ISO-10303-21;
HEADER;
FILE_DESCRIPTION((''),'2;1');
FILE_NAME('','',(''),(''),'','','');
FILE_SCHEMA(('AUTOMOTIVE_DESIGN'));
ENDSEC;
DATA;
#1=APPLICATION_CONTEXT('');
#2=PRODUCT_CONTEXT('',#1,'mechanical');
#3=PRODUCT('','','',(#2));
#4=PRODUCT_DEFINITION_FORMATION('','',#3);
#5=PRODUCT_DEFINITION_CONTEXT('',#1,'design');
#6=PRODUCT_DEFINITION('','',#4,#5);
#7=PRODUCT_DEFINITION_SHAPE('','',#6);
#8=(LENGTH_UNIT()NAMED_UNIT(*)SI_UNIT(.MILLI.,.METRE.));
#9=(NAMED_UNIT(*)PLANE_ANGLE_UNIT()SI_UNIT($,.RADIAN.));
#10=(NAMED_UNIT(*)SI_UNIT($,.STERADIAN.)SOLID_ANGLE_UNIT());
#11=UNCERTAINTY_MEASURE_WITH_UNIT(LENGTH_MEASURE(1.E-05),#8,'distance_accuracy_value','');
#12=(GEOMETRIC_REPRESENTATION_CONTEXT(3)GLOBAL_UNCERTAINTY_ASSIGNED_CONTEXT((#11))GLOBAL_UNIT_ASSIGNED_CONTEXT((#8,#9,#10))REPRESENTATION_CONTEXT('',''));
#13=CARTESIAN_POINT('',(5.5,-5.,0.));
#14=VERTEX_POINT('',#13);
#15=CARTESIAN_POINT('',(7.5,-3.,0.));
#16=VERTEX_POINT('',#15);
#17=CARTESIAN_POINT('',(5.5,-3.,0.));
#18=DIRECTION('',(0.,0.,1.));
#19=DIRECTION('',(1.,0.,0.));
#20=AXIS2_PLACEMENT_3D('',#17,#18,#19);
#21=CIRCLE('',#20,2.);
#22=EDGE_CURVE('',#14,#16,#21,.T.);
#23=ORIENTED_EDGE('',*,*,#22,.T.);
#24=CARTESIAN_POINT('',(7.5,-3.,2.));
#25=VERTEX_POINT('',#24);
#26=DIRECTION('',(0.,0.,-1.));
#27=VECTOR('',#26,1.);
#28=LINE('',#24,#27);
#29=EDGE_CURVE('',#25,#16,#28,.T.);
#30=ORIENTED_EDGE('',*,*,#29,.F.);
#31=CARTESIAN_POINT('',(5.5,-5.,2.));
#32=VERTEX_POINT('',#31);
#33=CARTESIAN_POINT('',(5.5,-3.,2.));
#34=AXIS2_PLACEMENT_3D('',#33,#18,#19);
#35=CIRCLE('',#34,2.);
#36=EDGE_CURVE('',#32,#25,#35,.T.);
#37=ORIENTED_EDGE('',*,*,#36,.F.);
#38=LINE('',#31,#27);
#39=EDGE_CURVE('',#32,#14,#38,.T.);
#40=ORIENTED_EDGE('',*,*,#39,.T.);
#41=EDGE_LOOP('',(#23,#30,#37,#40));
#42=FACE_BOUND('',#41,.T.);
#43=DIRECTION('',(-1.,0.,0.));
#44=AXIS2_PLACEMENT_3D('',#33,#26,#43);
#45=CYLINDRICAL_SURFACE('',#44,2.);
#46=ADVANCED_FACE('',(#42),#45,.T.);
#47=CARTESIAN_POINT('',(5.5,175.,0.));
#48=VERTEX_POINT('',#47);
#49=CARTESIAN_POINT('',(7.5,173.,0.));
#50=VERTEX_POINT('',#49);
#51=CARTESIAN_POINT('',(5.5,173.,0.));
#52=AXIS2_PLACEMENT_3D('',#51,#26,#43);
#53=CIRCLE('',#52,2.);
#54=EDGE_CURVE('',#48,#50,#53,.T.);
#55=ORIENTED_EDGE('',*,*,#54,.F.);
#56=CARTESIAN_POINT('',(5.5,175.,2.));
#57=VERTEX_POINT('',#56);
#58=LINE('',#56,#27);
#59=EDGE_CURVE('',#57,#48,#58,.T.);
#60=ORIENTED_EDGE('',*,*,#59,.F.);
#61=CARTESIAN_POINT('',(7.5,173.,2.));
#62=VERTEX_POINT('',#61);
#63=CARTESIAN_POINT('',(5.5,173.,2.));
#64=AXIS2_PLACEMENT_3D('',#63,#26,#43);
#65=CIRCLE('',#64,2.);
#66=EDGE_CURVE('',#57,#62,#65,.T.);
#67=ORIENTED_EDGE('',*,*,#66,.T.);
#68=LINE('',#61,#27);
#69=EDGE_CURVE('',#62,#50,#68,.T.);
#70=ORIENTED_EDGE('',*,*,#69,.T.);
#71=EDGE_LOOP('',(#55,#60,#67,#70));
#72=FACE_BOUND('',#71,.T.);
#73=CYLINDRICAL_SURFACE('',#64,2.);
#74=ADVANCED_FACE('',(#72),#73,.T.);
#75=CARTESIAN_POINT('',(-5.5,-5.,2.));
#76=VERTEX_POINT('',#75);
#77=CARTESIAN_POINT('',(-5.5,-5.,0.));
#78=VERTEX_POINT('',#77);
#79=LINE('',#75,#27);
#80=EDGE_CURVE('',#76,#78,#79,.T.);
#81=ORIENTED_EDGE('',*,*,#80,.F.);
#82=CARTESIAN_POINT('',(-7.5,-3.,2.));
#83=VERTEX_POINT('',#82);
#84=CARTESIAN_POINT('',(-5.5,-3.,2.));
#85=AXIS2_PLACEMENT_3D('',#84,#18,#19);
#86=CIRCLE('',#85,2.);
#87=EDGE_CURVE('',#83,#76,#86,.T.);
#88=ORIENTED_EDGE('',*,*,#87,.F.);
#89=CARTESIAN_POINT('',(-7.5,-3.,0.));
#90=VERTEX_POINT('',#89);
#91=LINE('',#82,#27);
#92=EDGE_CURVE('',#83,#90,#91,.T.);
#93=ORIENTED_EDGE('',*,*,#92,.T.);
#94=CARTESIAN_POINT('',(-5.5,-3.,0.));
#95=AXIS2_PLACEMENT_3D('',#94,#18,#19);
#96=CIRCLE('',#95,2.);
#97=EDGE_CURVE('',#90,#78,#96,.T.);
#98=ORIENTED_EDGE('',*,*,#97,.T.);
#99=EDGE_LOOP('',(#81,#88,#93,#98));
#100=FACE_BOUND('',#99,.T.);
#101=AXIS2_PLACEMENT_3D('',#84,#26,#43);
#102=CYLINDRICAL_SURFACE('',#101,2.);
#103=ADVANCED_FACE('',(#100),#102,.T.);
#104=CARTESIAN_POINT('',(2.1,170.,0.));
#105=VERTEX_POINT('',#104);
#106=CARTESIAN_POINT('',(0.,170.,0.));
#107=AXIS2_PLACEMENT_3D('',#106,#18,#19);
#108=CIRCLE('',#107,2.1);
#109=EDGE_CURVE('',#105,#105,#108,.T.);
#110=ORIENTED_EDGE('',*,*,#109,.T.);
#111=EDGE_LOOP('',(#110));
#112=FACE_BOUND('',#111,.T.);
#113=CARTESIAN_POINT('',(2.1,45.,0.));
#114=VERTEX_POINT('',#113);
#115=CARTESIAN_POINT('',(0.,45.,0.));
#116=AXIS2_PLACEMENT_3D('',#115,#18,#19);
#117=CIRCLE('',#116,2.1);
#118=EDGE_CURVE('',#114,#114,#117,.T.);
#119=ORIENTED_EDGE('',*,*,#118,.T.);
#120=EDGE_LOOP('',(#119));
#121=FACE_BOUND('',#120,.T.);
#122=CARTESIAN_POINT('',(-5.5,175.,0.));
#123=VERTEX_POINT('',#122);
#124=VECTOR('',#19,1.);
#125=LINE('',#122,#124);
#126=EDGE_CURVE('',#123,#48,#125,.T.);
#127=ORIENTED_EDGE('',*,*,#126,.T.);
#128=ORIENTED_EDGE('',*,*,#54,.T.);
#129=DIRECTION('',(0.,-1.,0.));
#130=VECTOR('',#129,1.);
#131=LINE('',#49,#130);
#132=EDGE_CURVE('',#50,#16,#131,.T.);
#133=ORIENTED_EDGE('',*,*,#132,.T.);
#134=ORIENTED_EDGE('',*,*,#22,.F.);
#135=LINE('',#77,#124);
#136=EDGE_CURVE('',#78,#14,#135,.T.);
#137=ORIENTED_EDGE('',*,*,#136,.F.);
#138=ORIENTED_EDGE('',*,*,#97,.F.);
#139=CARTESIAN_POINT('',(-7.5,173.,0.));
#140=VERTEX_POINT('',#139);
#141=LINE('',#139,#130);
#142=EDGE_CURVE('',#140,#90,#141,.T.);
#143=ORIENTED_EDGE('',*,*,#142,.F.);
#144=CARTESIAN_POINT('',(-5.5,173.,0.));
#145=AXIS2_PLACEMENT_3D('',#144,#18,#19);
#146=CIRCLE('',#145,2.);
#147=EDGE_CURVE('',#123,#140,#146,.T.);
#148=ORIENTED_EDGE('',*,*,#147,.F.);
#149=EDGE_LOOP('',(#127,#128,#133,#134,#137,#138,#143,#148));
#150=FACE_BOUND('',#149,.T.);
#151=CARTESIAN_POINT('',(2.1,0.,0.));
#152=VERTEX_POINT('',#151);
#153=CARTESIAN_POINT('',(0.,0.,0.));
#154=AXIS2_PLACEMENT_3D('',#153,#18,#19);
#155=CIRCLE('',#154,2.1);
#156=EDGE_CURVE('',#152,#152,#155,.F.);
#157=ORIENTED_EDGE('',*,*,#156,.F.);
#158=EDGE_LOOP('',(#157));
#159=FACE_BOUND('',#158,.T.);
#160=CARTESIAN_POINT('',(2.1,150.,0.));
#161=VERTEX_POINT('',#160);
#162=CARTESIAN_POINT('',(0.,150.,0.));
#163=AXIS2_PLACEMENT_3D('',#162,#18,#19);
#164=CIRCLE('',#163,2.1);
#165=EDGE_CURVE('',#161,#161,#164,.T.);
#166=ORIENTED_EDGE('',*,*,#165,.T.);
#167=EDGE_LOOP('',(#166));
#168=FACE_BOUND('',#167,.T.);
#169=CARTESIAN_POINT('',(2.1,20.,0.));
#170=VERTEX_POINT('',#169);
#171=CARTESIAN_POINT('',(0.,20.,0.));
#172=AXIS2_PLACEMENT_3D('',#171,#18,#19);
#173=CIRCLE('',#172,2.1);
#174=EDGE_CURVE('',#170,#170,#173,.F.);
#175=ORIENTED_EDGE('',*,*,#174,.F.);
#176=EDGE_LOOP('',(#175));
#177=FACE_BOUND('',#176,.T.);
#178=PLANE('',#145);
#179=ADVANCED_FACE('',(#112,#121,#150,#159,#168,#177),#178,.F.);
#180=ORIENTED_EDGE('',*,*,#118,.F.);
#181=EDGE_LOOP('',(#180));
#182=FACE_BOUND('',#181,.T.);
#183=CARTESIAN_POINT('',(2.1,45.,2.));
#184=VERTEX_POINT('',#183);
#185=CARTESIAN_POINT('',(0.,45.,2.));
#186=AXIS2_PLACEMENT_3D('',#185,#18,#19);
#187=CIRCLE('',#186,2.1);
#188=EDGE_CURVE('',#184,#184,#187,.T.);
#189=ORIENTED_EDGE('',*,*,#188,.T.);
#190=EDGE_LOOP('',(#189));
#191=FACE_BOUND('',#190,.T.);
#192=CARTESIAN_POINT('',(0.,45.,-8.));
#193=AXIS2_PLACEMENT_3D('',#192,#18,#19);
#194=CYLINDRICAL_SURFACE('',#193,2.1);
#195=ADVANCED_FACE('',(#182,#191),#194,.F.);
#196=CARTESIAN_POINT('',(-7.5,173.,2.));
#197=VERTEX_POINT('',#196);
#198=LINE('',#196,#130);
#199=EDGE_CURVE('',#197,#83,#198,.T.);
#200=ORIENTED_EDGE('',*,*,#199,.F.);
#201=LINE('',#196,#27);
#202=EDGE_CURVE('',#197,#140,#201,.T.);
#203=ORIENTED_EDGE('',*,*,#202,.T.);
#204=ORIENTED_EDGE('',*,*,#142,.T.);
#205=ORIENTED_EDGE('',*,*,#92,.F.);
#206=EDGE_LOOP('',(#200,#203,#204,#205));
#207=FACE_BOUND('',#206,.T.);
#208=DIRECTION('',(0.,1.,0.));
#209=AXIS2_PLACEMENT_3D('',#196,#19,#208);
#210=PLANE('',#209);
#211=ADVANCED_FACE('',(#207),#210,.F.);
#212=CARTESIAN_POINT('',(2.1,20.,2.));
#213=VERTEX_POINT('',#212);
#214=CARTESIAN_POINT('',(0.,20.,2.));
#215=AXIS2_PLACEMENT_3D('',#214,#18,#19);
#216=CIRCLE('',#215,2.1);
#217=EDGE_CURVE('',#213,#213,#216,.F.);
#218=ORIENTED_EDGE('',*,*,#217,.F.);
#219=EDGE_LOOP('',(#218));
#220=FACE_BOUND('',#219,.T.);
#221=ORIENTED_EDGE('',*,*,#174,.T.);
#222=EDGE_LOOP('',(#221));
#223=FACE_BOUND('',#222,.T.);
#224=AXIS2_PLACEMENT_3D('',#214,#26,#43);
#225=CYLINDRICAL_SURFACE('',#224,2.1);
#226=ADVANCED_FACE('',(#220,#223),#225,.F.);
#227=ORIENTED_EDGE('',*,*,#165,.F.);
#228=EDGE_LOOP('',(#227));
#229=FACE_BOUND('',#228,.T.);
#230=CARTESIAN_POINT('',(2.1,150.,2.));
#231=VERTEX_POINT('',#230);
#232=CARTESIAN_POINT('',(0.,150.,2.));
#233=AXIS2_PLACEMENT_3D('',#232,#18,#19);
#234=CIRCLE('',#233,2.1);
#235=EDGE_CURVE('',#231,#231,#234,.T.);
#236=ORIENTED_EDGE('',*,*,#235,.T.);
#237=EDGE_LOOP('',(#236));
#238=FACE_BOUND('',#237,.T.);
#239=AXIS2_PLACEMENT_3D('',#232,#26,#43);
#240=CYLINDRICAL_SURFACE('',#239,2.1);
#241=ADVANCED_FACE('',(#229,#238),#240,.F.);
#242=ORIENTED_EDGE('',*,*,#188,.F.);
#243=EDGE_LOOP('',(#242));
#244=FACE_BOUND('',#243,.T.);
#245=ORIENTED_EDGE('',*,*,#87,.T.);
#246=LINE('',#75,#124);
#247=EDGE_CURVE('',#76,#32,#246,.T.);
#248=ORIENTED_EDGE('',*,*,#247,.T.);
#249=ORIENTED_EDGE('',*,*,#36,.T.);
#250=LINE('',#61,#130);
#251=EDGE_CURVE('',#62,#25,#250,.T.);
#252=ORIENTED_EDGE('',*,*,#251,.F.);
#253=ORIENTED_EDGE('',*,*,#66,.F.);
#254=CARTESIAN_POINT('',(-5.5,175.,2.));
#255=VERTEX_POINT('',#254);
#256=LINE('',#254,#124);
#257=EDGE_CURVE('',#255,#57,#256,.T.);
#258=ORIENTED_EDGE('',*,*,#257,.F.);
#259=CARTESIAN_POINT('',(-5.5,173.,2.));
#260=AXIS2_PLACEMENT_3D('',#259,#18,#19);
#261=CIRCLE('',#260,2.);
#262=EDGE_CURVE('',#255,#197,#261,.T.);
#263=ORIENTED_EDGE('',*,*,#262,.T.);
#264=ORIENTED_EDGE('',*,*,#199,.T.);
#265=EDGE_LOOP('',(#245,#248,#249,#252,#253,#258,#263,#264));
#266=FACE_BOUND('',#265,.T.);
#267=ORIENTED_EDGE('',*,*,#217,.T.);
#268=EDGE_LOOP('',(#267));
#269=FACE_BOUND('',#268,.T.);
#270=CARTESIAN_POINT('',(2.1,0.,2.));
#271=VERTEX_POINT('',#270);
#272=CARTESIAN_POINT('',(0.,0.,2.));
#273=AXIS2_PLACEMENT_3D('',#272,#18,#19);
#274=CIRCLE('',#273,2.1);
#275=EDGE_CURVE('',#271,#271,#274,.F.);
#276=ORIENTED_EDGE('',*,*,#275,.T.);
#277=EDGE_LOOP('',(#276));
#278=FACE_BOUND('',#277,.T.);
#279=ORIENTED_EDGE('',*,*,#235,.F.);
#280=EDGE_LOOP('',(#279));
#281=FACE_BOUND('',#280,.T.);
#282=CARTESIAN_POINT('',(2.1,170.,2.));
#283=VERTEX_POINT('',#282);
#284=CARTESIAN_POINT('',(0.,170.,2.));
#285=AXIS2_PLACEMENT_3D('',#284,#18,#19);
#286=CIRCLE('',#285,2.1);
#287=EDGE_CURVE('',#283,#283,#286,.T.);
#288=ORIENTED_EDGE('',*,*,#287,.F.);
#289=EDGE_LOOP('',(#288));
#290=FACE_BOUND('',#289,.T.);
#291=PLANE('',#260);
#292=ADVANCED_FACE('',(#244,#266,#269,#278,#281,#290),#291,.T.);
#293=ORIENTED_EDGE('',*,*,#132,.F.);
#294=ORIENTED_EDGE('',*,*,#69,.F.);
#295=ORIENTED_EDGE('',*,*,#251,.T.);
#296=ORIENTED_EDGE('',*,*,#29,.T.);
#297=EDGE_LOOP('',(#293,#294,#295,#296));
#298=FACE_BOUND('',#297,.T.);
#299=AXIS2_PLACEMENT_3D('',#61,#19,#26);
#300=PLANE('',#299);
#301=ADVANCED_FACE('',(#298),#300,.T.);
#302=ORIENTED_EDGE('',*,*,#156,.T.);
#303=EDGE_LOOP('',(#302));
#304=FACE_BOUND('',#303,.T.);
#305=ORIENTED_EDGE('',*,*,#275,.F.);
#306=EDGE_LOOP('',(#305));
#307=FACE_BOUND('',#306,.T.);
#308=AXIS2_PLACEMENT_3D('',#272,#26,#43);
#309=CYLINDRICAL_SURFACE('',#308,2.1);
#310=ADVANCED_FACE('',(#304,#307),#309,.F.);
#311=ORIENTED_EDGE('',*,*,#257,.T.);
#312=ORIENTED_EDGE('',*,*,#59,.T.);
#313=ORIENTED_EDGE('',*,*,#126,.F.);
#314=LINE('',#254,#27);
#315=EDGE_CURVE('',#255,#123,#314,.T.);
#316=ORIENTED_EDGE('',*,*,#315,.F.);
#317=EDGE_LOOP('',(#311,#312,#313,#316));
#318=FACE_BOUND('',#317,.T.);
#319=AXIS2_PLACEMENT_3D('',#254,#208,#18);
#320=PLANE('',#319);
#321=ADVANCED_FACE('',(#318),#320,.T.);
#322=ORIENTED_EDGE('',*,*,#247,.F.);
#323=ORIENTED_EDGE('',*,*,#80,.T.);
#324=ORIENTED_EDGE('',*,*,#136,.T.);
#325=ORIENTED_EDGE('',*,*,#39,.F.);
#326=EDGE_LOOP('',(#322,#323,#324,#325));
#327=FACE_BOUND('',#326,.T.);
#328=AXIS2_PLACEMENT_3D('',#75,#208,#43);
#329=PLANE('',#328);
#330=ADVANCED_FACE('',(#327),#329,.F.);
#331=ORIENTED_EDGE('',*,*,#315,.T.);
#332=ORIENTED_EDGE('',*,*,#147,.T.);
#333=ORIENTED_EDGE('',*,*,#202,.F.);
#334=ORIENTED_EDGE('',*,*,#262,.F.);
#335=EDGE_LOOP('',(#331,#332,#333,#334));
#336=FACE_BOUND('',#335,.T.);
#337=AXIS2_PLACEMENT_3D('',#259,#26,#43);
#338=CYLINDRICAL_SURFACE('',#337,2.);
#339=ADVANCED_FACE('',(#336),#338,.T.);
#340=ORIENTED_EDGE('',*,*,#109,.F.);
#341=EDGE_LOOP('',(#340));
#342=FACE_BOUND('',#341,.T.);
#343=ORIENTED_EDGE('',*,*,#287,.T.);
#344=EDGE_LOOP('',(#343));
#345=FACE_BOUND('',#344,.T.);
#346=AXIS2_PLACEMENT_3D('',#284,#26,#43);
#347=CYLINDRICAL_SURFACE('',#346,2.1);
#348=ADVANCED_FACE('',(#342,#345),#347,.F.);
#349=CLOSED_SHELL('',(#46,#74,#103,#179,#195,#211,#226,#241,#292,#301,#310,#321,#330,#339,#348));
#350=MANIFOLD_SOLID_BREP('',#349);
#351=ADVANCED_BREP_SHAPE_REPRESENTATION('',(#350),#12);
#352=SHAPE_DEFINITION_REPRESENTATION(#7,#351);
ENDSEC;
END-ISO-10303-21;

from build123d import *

# Parameters (mm, degrees)
SKETCH_1_R          = 2.1
EXTRUDE_1_DEPTH     = 2
SKETCH_3_R          = 2.1
CUT_EXTRUDE_2_DEPTH = 10


with BuildPart() as part:
    # Эскиз1 → Бобышка-Вытянуть1 (new body)
    with BuildSketch(Plane.XY):
        with BuildLine():
            Line((-7.5, 173), (-7.5, -3))
            ThreePointArc((-7.5, -3), (-6.914213562, -4.414213562), (-5.5, -5))
            Line((-5.5, -5), (5.5, -5))
            ThreePointArc((5.5, -5), (6.914213562, -4.414213562), (7.5, -3))
            Line((7.5, -3), (7.5, 173))
            ThreePointArc((7.5, 173), (6.914213562, 174.414213562), (5.5, 175))
            Line((5.5, 175), (-5.5, 175))
            ThreePointArc((-5.5, 175), (-6.914213562, 174.414213562), (-7.5, 173))
        make_face()
        with Locations((0, 170)):
            Circle(SKETCH_1_R, mode=Mode.SUBTRACT)
        with Locations((0, 150)):
            Circle(SKETCH_1_R, mode=Mode.SUBTRACT)
        with Locations((0, 20)):
            Circle(SKETCH_1_R, mode=Mode.SUBTRACT)
        Circle(SKETCH_1_R, mode=Mode.SUBTRACT)
    extrude(amount=EXTRUDE_1_DEPTH)

    # Эскиз3 → Вырез-Вытянуть2 (cut)
    with BuildSketch(Plane.XY.offset(2)):
        with Locations((0, 45)):
            Circle(SKETCH_3_R)
    extrude(amount=-CUT_EXTRUDE_2_DEPTH, mode=Mode.SUBTRACT)


solid = part.part
